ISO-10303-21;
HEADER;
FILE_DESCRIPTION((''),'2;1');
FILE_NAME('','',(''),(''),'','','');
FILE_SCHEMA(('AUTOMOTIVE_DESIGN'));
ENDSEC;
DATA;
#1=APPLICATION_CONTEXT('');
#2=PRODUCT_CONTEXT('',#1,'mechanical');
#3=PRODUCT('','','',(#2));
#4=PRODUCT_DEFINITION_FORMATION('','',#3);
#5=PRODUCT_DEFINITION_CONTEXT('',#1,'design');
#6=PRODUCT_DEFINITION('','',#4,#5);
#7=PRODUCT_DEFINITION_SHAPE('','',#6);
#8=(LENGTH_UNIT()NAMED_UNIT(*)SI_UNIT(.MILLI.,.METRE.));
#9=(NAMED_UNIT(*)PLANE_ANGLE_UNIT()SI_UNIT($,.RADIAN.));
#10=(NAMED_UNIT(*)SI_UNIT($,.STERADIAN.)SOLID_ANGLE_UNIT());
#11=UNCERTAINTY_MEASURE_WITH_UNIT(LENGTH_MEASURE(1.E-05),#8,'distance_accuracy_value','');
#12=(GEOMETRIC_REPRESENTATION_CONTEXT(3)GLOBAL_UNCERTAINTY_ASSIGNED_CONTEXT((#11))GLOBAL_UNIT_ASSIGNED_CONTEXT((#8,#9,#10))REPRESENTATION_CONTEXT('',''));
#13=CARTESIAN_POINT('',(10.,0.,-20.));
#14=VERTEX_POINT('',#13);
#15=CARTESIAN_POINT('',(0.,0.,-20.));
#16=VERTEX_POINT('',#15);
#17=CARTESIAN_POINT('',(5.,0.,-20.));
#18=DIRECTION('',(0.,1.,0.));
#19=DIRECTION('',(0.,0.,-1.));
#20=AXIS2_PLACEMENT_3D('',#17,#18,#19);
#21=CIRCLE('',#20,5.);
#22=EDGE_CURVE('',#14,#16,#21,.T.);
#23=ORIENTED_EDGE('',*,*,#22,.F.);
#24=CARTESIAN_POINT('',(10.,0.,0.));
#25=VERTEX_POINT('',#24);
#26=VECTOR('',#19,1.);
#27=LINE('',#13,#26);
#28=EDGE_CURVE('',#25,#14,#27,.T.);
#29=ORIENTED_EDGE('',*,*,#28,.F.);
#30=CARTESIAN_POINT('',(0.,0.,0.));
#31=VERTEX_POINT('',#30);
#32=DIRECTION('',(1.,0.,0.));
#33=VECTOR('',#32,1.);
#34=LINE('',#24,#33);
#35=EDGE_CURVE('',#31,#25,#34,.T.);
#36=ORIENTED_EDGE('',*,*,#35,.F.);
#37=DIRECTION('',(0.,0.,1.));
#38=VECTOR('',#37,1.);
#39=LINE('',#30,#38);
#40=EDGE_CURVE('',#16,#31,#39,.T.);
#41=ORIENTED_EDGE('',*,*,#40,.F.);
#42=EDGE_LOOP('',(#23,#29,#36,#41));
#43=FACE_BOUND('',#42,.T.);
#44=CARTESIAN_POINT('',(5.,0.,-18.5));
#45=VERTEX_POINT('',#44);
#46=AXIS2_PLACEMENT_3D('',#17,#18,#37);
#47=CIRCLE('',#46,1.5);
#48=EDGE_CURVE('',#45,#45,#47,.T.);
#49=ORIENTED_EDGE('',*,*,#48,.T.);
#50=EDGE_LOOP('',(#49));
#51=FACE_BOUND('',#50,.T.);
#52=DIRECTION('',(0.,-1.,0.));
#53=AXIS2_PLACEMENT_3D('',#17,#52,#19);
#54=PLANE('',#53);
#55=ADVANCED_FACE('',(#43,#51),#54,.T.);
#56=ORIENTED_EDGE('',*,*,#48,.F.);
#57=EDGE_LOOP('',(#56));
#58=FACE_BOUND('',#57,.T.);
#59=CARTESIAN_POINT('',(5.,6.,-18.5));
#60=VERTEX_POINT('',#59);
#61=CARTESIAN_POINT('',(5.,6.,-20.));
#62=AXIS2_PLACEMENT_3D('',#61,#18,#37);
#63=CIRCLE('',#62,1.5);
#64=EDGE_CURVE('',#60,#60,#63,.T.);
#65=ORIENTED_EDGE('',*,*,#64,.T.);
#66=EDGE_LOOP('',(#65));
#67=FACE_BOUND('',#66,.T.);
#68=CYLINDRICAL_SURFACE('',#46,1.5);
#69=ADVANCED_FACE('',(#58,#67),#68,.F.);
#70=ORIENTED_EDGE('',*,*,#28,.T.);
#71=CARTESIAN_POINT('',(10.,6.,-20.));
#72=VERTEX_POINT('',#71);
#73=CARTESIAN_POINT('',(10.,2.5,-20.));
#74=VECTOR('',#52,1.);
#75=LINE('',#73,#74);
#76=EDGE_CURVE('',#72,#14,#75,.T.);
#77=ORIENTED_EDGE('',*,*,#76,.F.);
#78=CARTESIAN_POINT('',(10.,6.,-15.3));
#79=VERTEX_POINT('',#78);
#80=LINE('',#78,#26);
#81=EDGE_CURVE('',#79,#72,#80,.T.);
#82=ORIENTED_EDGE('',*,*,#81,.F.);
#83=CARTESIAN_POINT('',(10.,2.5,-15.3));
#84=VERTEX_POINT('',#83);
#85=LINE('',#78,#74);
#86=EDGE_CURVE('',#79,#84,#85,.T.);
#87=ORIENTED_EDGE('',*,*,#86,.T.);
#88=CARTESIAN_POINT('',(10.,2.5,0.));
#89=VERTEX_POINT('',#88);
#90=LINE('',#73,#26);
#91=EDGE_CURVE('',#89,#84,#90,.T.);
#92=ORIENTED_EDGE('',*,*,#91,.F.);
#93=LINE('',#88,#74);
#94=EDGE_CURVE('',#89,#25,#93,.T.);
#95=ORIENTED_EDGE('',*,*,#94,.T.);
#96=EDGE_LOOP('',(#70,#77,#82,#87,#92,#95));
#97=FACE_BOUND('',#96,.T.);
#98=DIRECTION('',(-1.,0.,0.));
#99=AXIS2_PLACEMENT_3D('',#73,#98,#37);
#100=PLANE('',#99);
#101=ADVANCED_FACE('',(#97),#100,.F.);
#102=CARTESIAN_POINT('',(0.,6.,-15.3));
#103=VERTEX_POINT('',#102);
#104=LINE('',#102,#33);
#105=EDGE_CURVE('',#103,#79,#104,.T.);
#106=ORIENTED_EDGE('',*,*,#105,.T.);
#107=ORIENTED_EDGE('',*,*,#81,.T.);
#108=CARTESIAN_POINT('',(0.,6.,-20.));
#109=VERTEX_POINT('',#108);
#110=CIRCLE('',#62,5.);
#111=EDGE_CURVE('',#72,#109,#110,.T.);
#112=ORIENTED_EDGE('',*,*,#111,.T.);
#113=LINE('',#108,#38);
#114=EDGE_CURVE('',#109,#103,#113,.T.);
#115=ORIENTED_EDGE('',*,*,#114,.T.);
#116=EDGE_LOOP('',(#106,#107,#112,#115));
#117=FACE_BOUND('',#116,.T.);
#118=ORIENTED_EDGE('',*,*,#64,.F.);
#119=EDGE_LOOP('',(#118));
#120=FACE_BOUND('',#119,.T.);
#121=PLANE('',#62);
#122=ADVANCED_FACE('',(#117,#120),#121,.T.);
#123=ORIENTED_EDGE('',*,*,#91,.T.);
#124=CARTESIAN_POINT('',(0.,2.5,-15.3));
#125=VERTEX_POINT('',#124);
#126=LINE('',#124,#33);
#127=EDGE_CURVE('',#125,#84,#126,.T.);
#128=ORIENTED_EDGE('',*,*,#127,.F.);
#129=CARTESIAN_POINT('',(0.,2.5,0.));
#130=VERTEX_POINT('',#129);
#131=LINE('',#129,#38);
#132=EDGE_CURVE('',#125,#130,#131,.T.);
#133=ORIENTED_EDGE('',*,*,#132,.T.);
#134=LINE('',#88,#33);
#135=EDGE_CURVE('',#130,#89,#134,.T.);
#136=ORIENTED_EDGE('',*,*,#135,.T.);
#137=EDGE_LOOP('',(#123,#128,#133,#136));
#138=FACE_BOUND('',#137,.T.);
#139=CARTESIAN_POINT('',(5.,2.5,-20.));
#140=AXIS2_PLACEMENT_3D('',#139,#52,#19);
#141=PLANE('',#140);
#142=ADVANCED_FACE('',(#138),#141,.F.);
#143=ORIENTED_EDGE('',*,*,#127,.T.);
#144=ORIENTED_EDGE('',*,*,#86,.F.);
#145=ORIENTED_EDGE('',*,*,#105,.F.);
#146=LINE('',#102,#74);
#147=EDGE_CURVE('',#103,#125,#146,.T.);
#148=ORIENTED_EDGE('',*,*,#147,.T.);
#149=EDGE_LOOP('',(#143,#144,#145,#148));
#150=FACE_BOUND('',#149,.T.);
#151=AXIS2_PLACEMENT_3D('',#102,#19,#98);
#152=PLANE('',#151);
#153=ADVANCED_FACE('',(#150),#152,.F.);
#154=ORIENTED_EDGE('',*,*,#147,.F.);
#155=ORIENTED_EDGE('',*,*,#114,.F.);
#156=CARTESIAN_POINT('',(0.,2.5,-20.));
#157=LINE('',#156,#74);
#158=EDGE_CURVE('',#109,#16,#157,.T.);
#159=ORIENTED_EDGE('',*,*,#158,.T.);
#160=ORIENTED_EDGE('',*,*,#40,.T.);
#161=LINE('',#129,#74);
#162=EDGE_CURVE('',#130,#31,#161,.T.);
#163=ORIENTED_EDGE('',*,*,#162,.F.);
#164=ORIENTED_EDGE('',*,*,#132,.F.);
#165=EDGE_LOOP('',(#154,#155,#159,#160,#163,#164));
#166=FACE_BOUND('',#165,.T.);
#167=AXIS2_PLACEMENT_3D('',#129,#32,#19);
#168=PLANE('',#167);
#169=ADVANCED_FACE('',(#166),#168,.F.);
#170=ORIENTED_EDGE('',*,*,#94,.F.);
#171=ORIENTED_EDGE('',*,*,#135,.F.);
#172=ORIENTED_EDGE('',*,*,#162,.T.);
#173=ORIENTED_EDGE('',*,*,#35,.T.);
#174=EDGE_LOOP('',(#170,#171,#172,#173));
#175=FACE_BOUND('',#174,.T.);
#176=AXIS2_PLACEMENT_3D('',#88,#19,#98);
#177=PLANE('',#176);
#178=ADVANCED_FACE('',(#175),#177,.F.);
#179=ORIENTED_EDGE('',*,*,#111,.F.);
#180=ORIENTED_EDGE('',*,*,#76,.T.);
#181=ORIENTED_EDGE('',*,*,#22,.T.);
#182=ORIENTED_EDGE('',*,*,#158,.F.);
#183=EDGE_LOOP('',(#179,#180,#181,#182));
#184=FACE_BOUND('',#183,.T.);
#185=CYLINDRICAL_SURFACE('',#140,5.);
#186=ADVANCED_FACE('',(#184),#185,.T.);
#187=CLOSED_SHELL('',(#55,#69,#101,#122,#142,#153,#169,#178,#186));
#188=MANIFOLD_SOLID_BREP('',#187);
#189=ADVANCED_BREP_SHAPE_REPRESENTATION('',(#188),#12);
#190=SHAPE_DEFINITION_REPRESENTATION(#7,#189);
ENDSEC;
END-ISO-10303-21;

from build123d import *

# Parameters (mm, degrees)
AUFSATZ_LINEAR_AUSTRAGEN1_DEPTH = 2.5
AUFSATZ_LINEAR_AUSTRAGEN2_DEPTH = 3.5
SKIZZE3_R                       = 1.5
SCHNITT_LINEAR_AUSTRAGEN1_DEPTH = 7


with BuildPart() as part:
    # Skizze1 → Aufsatz-Linear austragen1 (new body)
    with BuildSketch(Plane(origin=(0, 0, 0), x_dir=(1, 0, 0), z_dir=(0, 1, 0))):
        with BuildLine():
            Line((0, 0), (0, 20))
            ThreePointArc((0, 20), (5, 25), (10, 20))
            Line((10, 20), (10, 0))
            Line((10, 0), (0, 0))
        make_face()
    extrude(amount=AUFSATZ_LINEAR_AUSTRAGEN1_DEPTH)

    # Skizze2 → Aufsatz-Linear austragen2 (add)
    with BuildSketch(Plane(origin=(0, 2.5, 0), x_dir=(1, 0, 0), z_dir=(0, 1, 0))):
        with BuildLine():
            Line((0, 20), (0, 15.3))
            Line((0, 15.3), (10, 15.3))
            Line((10, 15.3), (10, 20))
            ThreePointArc((10, 20), (5, 25), (0, 20))
        make_face()
    extrude(amount=AUFSATZ_LINEAR_AUSTRAGEN2_DEPTH)

    # Skizze3 → Schnitt-Linear austragen1 (cut, through all)
    with BuildSketch(Plane(origin=(0, 6, 0), x_dir=(1, 0, 0), z_dir=(0, 1, 0))):
        with Locations((5, 20)):
            Circle(SKIZZE3_R)
    extrude(amount=-SCHNITT_LINEAR_AUSTRAGEN1_DEPTH, mode=Mode.SUBTRACT)


solid = part.part
